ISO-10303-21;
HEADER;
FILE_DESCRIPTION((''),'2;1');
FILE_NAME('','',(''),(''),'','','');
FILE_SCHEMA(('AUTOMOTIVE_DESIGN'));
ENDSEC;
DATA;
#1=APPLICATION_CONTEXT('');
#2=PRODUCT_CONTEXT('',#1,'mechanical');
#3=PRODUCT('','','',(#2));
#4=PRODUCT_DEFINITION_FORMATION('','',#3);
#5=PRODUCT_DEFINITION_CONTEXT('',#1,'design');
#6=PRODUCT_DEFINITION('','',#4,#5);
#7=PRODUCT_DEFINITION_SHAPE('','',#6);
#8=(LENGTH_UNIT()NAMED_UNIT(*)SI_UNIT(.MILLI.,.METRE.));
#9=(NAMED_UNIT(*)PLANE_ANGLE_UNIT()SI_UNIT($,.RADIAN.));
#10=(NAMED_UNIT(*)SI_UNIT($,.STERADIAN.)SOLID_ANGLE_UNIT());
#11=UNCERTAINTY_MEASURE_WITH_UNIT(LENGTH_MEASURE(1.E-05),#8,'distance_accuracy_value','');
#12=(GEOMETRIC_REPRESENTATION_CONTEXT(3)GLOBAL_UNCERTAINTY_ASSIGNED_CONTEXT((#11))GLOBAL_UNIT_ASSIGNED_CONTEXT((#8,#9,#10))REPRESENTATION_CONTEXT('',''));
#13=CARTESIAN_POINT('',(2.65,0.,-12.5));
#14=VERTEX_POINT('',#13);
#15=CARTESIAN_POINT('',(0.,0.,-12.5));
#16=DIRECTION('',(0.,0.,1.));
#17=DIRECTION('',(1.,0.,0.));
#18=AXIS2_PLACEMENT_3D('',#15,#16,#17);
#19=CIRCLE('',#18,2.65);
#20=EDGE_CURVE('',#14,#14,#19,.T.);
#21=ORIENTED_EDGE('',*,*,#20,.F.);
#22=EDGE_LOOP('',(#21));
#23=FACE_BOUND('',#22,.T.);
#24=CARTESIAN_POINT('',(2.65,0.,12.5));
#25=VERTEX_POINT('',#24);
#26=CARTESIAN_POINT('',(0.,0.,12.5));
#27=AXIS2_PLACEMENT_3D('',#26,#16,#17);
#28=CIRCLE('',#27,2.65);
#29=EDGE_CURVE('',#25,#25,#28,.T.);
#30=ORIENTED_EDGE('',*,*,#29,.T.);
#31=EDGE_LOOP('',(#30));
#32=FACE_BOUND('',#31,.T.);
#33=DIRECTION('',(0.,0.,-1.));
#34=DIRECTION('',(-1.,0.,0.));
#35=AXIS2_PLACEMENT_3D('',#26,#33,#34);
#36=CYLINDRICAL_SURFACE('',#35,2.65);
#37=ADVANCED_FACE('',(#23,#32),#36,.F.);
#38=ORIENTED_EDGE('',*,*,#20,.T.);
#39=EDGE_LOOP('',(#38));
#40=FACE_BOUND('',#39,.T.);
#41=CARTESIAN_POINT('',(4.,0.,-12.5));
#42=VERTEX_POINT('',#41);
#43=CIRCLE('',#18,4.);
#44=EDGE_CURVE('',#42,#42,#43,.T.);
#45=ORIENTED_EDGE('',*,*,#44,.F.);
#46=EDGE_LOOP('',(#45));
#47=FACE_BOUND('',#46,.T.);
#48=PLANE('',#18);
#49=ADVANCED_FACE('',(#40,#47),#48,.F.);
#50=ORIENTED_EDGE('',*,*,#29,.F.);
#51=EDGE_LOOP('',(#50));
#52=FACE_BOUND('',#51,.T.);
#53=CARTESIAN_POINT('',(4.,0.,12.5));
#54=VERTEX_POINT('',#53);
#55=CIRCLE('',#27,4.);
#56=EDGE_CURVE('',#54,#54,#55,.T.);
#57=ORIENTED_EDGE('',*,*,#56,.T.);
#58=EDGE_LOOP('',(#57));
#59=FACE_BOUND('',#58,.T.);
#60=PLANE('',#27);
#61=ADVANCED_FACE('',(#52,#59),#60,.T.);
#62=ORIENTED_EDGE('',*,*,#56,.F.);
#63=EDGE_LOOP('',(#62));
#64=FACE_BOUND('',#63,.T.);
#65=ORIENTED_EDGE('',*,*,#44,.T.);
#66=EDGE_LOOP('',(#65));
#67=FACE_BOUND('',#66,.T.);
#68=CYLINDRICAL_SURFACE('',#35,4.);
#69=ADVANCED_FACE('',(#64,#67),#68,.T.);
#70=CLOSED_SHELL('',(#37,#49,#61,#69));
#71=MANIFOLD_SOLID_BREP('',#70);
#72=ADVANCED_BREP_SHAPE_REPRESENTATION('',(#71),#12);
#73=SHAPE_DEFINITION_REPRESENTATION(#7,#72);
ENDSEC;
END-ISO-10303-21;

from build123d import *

# Parameters (mm, degrees)
SKETCH1_R      = 4
SKETCH1_R_2    = 2.65
EXTRUDE1_DEPTH = 12.5


with BuildPart() as part:
    # Sketch1 → Extrude1 (new body, symmetric)
    with BuildSketch(Plane.XY):
        Circle(SKETCH1_R)
        Circle(SKETCH1_R_2, mode=Mode.SUBTRACT)
    extrude(amount=EXTRUDE1_DEPTH, both=True)


solid = part.part
